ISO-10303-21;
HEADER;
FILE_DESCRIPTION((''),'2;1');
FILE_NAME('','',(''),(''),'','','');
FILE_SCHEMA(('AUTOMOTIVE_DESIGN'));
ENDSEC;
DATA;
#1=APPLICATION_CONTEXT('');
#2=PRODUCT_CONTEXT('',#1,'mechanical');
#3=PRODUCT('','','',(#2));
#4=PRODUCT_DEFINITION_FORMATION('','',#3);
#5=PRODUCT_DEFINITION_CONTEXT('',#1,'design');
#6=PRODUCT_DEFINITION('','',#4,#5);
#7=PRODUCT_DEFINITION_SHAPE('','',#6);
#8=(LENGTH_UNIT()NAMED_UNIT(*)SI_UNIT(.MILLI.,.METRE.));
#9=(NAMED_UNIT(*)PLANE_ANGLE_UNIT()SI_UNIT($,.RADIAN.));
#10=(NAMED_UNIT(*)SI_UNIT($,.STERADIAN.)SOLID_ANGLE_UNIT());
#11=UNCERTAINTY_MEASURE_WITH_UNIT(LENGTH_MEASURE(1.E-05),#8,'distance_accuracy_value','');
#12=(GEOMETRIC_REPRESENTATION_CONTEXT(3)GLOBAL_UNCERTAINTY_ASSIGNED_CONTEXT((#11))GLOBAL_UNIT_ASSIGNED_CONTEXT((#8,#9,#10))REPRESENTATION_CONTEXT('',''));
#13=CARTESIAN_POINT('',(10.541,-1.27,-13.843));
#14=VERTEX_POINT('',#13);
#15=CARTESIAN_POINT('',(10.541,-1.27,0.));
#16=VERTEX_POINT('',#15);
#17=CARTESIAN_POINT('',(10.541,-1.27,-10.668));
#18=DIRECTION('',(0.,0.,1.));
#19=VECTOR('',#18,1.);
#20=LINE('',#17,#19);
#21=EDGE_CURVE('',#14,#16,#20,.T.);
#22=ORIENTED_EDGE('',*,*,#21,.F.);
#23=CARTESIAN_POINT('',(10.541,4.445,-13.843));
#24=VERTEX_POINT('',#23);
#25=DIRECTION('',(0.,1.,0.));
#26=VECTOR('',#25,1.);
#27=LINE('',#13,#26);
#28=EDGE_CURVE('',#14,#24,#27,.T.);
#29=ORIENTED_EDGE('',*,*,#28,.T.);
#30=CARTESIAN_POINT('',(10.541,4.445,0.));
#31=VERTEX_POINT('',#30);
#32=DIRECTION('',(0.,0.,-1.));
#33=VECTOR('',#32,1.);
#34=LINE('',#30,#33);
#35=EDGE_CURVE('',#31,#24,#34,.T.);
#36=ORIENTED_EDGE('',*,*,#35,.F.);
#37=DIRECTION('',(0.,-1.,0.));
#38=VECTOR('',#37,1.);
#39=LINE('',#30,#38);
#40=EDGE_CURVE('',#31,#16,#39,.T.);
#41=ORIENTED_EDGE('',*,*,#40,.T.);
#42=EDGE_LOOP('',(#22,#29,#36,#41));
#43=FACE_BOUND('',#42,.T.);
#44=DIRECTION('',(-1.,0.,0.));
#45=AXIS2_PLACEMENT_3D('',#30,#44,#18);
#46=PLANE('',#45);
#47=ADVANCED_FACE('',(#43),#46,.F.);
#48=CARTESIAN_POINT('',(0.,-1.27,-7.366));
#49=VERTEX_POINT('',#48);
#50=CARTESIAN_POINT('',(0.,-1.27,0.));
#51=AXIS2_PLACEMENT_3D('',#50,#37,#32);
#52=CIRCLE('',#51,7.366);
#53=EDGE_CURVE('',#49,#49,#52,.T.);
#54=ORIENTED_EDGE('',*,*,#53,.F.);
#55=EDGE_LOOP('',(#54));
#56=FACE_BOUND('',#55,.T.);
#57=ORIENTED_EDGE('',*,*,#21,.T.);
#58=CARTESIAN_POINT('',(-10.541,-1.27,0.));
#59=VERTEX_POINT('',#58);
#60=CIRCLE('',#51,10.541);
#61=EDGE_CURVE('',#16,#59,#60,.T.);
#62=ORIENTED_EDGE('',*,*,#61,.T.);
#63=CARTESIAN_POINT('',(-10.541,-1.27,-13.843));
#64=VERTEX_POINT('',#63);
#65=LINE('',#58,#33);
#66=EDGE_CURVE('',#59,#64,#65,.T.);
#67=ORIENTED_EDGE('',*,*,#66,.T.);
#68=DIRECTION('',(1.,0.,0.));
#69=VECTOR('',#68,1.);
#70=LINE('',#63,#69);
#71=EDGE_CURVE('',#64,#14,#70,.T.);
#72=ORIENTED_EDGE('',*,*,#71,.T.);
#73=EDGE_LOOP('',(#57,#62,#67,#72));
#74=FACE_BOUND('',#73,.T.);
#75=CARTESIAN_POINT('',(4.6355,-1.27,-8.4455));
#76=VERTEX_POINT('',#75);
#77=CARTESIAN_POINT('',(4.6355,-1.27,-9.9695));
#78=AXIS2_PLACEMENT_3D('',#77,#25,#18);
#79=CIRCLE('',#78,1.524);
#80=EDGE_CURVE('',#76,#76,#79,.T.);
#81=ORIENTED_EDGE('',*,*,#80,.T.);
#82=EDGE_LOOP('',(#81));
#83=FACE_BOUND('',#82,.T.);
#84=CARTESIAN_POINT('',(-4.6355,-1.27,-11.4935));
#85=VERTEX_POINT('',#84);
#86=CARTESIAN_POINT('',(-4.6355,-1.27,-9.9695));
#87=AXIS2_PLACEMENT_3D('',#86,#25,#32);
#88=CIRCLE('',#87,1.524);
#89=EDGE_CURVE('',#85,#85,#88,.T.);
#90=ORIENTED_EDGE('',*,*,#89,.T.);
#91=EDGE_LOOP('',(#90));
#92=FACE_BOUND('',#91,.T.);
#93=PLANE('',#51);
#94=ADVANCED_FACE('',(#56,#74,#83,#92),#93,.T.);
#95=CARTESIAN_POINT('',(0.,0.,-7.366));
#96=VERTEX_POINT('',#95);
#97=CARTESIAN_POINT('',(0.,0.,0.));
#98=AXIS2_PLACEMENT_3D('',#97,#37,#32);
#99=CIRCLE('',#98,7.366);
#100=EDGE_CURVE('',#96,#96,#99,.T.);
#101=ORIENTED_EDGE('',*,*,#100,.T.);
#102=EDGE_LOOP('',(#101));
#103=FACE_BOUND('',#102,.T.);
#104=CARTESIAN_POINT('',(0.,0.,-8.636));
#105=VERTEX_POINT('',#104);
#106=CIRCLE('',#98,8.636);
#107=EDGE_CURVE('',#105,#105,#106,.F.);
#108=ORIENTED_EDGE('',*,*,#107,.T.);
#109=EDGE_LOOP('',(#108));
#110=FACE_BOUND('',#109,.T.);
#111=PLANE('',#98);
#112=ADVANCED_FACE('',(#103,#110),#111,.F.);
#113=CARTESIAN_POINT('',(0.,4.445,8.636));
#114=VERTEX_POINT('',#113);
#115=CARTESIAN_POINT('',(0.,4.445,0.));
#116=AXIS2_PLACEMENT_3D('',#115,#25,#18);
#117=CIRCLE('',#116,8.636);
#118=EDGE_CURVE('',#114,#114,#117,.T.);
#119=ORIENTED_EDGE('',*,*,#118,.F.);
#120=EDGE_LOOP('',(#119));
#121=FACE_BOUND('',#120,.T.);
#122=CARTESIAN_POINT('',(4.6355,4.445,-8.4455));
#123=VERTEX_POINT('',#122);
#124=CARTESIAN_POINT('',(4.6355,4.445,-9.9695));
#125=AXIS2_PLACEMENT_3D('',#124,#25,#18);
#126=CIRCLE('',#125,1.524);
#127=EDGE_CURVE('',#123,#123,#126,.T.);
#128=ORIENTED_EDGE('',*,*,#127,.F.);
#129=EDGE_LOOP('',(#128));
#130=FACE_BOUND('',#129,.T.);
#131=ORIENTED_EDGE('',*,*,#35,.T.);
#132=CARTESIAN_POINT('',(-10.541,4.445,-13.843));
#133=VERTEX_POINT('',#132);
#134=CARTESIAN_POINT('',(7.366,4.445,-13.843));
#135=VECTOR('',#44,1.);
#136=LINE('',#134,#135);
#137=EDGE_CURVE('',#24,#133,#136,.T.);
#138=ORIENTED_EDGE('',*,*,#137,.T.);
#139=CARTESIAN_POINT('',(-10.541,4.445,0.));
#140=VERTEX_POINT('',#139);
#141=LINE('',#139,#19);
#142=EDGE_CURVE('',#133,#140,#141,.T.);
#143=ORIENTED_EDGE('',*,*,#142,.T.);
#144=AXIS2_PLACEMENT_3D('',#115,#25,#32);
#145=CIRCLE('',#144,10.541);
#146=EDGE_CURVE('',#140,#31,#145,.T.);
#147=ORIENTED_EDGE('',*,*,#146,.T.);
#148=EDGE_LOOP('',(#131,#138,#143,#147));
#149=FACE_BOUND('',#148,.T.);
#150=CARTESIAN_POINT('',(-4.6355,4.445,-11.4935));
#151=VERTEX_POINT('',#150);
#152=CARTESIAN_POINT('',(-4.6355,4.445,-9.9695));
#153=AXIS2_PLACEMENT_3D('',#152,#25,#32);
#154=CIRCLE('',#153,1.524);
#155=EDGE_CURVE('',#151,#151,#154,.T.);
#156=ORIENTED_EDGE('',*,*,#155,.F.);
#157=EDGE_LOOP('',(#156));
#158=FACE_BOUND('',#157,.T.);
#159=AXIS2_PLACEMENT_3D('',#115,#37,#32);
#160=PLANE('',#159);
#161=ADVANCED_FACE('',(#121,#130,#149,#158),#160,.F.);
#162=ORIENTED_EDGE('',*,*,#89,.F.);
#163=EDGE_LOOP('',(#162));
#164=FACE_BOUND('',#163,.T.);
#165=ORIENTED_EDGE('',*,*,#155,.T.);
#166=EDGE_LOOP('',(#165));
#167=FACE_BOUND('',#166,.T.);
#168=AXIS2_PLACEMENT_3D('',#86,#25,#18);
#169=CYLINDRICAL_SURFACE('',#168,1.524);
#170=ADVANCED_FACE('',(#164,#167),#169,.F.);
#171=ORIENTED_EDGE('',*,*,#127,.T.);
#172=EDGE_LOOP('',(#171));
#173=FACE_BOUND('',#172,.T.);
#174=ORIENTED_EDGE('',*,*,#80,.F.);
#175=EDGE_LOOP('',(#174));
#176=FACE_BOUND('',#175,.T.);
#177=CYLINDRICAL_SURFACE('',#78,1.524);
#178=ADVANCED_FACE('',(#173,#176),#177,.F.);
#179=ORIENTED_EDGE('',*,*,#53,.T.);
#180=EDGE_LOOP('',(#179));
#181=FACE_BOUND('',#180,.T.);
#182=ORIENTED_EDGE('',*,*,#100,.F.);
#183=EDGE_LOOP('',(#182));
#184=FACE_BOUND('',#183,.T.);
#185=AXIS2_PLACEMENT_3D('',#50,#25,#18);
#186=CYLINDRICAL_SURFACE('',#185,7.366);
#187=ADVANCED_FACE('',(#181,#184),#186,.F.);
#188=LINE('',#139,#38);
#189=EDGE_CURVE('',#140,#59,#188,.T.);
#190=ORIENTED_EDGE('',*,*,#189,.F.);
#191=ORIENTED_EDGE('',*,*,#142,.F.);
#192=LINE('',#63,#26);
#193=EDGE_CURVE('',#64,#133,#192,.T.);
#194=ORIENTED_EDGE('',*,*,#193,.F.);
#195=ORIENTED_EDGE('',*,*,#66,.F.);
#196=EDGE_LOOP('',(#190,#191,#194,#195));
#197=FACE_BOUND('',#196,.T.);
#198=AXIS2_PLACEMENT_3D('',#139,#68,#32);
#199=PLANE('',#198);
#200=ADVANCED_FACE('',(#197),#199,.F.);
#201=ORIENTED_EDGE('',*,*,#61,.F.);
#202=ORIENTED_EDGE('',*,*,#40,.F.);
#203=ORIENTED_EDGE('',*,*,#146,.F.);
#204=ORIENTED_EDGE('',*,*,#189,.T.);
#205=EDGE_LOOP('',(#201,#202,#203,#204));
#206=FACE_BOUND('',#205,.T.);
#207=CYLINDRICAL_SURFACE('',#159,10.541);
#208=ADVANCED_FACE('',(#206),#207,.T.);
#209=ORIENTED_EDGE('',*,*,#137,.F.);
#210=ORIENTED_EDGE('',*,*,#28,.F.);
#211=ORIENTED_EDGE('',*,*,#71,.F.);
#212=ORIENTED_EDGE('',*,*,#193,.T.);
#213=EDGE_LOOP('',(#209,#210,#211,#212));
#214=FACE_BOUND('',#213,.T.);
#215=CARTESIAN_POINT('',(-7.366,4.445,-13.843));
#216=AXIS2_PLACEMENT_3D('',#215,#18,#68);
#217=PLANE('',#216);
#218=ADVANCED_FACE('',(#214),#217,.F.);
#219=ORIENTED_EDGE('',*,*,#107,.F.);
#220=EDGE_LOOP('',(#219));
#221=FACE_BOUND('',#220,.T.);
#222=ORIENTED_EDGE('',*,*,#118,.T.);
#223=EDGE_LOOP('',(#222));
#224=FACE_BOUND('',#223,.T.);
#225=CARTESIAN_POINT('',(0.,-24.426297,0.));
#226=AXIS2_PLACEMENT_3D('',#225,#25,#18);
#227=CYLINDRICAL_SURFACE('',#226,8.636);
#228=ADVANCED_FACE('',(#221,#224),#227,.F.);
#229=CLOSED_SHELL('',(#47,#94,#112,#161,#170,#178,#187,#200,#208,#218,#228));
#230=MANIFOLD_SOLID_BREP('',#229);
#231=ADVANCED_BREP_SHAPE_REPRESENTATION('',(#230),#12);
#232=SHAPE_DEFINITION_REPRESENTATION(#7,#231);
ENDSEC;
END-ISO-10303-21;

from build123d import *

# Parameters (mm, degrees)
SKETCH1_R           = 6.096
BOSS_EXTRUDE1_DEPTH = 4.445
SKETCH5_R           = 7.366
BOSS_EXTRUDE4_DEPTH = 1.27
SKETCH8_R           = 8.636
CUT_EXTRUDE4_DEPTH  = 4.445
SKETCH6_R           = 1.524
CUT_EXTRUDE2_DEPTH  = 6.715
SKETCH7_W           = 9.525
SKETCH7_H           = 4.445
CUT_EXTRUDE3_DEPTH  = 3.175


with BuildPart() as part:
    # Sketch1 → Boss-Extrude1 (new body)
    with BuildSketch(Plane(origin=(0, 0, 0), x_dir=(1, 0, 0), z_dir=(0, 1, 0))):
        with BuildLine():
            Line((-10.541, 0), (-10.541, 10.668))
            Line((-10.541, 10.668), (-20.066, 10.668))
            Line((-20.066, 10.668), (-20.066, 13.843))
            Line((-20.066, 13.843), (-7.366, 13.843))
            Line((-7.366, 13.843), (7.366, 13.843))
            Line((7.366, 13.843), (20.066, 13.843))
            Line((20.066, 13.843), (20.066, 10.668))
            Line((20.066, 10.668), (10.541, 10.668))
            Line((10.541, 10.668), (10.541, 0))
            ThreePointArc((10.541, 0), (0, -10.541), (-10.541, 0))
        make_face()
        Circle(SKETCH1_R, mode=Mode.SUBTRACT)
    extrude(amount=BOSS_EXTRUDE1_DEPTH)

    # Sketch5 → Boss-Extrude4 (add)
    with BuildSketch(Plane.XZ):
        with BuildLine():
            Line((-10.541, 0), (-10.541, -10.668))
            Line((-10.541, -10.668), (-10.541, -13.843))
            Line((-10.541, -13.843), (10.541, -13.843))
            Line((10.541, -13.843), (10.541, -10.668))
            Line((10.541, -10.668), (10.541, 0))
            ThreePointArc((10.541, 0), (0, 10.541), (-10.541, 0))
        make_face()
        Circle(SKETCH5_R, mode=Mode.SUBTRACT)
    extrude(amount=BOSS_EXTRUDE4_DEPTH)

    # Sketch8 → Cut-Extrude4 (cut)
    with BuildSketch(Plane(origin=(0, 4.445, 0), x_dir=(1, 0, 0), z_dir=(0, 1, 0))):
        Circle(SKETCH8_R)
    extrude(amount=-CUT_EXTRUDE4_DEPTH, mode=Mode.SUBTRACT)

    # Sketch6 → Cut-Extrude2 (cut, through all)
    with BuildSketch(Plane(origin=(0, 4.445, 0), x_dir=(1, 0, 0), z_dir=(0, 1, 0))):
        with Locations((4.6355, 9.9695)):
            Circle(SKETCH6_R)
        with Locations((-4.6355, 9.9695)):
            Circle(SKETCH6_R)
    extrude(amount=-CUT_EXTRUDE2_DEPTH, mode=Mode.SUBTRACT)

    # Sketch7 → Cut-Extrude3 (cut)
    with BuildSketch(Plane.XY.offset(-10.668)):
        with Locations((15.3035, 2.2225)):
            Rectangle(SKETCH7_W, SKETCH7_H)
        with Locations((-15.3035, 2.2225)):
            Rectangle(SKETCH7_W, SKETCH7_H)
    extrude(amount=-CUT_EXTRUDE3_DEPTH, mode=Mode.SUBTRACT)


solid = part.part
